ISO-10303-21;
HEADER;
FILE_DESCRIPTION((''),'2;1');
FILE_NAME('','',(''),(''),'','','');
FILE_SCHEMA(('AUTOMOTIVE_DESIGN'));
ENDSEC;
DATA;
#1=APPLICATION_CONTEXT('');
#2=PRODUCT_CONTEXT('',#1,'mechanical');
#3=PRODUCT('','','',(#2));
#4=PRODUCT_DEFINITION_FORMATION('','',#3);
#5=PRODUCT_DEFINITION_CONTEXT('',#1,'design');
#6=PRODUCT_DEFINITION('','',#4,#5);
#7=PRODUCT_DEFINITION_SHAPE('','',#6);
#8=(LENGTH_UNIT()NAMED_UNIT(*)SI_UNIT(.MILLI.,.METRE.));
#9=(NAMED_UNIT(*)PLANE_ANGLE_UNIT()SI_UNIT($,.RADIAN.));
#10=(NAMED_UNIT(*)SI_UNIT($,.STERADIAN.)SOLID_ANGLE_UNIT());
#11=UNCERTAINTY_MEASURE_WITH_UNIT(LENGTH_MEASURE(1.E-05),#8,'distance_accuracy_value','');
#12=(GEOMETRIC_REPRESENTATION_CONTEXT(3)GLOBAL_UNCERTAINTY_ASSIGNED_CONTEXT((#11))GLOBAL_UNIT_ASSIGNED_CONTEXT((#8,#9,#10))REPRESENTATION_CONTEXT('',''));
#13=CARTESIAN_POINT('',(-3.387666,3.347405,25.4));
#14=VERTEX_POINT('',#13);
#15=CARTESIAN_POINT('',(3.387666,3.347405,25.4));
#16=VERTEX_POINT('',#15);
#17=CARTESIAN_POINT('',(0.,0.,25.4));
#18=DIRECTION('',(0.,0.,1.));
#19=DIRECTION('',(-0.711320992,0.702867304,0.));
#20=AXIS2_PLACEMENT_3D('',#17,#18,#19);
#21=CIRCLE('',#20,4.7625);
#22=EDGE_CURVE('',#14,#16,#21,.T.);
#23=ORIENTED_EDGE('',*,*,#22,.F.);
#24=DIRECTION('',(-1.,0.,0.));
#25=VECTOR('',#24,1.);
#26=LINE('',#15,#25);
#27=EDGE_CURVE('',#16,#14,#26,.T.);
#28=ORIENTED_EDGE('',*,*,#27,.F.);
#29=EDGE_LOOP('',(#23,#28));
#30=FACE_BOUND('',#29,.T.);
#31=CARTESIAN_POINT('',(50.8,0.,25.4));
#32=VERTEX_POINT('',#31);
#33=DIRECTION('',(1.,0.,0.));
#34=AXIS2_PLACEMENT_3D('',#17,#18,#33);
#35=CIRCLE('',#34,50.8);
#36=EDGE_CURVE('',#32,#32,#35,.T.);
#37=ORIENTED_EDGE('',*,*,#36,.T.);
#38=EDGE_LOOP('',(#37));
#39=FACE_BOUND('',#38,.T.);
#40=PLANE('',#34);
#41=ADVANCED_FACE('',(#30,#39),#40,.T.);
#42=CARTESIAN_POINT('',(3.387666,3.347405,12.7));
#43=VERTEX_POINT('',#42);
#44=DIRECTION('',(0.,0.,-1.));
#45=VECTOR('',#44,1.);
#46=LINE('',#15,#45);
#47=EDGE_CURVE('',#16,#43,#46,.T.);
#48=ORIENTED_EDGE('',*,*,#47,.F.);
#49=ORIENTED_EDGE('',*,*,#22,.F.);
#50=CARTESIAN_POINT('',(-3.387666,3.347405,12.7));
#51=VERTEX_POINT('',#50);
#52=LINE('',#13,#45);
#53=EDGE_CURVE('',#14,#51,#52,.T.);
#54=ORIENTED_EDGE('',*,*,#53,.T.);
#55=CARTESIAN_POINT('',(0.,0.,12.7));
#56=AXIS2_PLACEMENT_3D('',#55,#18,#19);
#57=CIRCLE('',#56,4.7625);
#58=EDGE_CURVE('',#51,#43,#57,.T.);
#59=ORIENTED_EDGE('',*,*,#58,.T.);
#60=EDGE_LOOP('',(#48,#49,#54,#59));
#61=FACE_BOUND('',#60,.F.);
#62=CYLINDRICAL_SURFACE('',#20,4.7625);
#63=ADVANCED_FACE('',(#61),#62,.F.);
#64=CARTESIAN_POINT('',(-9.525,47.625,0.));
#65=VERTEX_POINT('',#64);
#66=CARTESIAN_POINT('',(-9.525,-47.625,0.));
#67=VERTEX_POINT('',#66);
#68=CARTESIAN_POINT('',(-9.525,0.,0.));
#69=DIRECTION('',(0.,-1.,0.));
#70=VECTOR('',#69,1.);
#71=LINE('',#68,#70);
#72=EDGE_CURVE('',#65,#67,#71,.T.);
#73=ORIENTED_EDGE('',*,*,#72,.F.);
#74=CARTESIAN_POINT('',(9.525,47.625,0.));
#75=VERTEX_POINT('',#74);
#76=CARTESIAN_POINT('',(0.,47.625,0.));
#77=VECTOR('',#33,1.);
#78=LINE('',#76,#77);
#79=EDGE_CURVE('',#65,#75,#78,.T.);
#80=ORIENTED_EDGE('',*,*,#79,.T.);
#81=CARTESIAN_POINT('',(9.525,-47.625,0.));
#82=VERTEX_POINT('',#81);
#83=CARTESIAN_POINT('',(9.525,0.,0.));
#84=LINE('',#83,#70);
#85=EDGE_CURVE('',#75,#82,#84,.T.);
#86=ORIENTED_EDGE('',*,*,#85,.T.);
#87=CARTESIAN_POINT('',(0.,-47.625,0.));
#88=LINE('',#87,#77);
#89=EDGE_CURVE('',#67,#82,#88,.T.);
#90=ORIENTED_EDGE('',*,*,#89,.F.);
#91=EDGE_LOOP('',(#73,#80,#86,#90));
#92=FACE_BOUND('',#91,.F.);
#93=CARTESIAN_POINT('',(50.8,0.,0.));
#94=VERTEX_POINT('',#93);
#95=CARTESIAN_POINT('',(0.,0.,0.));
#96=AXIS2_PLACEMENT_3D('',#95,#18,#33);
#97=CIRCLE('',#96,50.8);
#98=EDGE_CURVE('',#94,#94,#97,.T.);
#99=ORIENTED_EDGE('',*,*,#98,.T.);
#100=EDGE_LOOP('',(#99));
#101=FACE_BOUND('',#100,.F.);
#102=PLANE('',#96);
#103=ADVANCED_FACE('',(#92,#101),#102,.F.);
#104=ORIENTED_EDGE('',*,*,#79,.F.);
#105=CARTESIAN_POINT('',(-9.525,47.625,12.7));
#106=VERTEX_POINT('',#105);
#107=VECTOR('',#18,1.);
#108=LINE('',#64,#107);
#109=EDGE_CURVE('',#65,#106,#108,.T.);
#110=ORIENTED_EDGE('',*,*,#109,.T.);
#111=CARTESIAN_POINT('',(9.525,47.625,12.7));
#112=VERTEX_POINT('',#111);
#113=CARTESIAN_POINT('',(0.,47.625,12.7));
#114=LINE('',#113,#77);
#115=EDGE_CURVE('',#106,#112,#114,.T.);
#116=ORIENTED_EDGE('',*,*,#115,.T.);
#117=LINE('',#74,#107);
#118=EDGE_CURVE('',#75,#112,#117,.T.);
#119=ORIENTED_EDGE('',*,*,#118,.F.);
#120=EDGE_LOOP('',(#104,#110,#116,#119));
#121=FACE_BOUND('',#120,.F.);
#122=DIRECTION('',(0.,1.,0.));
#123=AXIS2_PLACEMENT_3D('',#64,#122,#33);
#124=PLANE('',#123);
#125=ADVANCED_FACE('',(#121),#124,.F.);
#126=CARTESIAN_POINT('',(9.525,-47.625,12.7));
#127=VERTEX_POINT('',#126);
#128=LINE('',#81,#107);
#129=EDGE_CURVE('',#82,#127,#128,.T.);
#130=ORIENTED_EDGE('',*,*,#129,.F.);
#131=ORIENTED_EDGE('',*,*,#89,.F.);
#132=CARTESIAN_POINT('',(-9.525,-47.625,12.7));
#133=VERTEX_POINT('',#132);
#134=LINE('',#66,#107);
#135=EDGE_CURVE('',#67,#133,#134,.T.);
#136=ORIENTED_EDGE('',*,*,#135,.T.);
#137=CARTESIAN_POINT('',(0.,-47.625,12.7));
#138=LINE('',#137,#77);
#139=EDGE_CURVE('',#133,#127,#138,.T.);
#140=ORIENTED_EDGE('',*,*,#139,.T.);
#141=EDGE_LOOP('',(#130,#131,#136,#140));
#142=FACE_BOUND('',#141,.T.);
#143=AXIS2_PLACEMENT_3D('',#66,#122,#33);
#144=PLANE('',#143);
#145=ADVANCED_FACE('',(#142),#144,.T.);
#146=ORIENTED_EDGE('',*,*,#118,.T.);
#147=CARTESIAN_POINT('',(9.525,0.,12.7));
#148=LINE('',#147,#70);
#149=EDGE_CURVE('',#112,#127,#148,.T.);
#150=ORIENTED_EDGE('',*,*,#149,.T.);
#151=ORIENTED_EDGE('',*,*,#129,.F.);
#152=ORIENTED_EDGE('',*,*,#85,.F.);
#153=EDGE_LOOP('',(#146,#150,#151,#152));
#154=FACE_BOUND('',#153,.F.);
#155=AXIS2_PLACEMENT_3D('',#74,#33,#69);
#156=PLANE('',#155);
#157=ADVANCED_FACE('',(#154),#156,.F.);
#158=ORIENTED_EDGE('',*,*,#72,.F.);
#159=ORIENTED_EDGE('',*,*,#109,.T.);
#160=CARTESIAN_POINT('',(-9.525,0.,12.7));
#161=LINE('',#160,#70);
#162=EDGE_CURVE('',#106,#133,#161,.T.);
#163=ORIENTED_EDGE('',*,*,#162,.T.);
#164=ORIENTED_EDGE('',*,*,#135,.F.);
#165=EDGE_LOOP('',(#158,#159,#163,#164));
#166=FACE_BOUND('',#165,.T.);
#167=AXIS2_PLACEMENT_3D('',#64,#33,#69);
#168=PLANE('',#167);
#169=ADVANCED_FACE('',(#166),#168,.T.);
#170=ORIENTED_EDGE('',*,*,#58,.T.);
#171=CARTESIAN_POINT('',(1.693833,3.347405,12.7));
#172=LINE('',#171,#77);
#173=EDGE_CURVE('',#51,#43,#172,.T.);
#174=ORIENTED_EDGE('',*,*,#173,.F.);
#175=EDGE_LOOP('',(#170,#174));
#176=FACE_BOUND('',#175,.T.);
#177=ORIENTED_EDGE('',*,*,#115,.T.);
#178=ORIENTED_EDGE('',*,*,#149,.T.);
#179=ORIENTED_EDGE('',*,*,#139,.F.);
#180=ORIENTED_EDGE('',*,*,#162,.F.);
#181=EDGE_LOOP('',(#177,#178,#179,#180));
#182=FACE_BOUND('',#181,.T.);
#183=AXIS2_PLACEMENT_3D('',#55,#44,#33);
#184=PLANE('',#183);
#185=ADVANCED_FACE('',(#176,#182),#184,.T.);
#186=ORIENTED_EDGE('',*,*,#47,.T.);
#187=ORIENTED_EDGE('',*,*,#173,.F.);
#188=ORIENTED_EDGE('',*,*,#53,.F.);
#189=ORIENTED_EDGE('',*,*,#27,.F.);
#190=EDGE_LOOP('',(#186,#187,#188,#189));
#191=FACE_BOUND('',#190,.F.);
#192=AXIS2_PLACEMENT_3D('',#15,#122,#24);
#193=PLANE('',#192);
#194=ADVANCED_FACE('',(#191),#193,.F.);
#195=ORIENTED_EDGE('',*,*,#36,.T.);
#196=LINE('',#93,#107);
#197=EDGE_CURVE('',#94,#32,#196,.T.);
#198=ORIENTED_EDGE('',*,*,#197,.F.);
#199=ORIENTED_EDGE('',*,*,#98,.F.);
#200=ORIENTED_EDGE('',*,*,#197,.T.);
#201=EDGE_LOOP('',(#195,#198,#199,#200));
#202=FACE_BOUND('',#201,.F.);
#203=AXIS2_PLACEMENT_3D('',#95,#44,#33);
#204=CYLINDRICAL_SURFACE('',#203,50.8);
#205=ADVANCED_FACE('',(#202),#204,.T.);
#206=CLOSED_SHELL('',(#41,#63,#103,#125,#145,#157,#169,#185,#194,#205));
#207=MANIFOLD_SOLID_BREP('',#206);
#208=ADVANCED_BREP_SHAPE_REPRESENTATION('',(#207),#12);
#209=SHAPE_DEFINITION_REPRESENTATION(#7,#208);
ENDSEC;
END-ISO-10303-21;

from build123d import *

# Parameters (mm, degrees)
F0_R     = 50.8
F1_DEPTH = 25.4
F2_W     = 19.05
F2_H     = 95.25
F3_DEPTH = 12.7
F5_DEPTH = 25.4


with BuildPart() as f1:
    # F0 (on Top) → F1 (new body)
    with BuildSketch(Plane.XY):
        Circle(F0_R)
    extrude(amount=F1_DEPTH)

    # F2 (on face) → F3 (cut)
    with BuildSketch(Plane(origin=(0, 0, 0), x_dir=(1, 0, 0), z_dir=(0, 0, -1))):
        Rectangle(F2_W, F2_H)
    extrude(amount=-F3_DEPTH, mode=Mode.SUBTRACT)

    # F4 (on face) → F5 (cut)
    with BuildSketch(Plane.XY.offset(25.4)):
        with BuildLine():
            Line((3.387666, 3.347405), (-3.387666, 3.347405))
            ThreePointArc((-3.387666, 3.347405), (0, -4.7625), (3.387666, 3.347405))
        make_face()
    extrude(amount=-F5_DEPTH, mode=Mode.SUBTRACT)


solid = f1.part
